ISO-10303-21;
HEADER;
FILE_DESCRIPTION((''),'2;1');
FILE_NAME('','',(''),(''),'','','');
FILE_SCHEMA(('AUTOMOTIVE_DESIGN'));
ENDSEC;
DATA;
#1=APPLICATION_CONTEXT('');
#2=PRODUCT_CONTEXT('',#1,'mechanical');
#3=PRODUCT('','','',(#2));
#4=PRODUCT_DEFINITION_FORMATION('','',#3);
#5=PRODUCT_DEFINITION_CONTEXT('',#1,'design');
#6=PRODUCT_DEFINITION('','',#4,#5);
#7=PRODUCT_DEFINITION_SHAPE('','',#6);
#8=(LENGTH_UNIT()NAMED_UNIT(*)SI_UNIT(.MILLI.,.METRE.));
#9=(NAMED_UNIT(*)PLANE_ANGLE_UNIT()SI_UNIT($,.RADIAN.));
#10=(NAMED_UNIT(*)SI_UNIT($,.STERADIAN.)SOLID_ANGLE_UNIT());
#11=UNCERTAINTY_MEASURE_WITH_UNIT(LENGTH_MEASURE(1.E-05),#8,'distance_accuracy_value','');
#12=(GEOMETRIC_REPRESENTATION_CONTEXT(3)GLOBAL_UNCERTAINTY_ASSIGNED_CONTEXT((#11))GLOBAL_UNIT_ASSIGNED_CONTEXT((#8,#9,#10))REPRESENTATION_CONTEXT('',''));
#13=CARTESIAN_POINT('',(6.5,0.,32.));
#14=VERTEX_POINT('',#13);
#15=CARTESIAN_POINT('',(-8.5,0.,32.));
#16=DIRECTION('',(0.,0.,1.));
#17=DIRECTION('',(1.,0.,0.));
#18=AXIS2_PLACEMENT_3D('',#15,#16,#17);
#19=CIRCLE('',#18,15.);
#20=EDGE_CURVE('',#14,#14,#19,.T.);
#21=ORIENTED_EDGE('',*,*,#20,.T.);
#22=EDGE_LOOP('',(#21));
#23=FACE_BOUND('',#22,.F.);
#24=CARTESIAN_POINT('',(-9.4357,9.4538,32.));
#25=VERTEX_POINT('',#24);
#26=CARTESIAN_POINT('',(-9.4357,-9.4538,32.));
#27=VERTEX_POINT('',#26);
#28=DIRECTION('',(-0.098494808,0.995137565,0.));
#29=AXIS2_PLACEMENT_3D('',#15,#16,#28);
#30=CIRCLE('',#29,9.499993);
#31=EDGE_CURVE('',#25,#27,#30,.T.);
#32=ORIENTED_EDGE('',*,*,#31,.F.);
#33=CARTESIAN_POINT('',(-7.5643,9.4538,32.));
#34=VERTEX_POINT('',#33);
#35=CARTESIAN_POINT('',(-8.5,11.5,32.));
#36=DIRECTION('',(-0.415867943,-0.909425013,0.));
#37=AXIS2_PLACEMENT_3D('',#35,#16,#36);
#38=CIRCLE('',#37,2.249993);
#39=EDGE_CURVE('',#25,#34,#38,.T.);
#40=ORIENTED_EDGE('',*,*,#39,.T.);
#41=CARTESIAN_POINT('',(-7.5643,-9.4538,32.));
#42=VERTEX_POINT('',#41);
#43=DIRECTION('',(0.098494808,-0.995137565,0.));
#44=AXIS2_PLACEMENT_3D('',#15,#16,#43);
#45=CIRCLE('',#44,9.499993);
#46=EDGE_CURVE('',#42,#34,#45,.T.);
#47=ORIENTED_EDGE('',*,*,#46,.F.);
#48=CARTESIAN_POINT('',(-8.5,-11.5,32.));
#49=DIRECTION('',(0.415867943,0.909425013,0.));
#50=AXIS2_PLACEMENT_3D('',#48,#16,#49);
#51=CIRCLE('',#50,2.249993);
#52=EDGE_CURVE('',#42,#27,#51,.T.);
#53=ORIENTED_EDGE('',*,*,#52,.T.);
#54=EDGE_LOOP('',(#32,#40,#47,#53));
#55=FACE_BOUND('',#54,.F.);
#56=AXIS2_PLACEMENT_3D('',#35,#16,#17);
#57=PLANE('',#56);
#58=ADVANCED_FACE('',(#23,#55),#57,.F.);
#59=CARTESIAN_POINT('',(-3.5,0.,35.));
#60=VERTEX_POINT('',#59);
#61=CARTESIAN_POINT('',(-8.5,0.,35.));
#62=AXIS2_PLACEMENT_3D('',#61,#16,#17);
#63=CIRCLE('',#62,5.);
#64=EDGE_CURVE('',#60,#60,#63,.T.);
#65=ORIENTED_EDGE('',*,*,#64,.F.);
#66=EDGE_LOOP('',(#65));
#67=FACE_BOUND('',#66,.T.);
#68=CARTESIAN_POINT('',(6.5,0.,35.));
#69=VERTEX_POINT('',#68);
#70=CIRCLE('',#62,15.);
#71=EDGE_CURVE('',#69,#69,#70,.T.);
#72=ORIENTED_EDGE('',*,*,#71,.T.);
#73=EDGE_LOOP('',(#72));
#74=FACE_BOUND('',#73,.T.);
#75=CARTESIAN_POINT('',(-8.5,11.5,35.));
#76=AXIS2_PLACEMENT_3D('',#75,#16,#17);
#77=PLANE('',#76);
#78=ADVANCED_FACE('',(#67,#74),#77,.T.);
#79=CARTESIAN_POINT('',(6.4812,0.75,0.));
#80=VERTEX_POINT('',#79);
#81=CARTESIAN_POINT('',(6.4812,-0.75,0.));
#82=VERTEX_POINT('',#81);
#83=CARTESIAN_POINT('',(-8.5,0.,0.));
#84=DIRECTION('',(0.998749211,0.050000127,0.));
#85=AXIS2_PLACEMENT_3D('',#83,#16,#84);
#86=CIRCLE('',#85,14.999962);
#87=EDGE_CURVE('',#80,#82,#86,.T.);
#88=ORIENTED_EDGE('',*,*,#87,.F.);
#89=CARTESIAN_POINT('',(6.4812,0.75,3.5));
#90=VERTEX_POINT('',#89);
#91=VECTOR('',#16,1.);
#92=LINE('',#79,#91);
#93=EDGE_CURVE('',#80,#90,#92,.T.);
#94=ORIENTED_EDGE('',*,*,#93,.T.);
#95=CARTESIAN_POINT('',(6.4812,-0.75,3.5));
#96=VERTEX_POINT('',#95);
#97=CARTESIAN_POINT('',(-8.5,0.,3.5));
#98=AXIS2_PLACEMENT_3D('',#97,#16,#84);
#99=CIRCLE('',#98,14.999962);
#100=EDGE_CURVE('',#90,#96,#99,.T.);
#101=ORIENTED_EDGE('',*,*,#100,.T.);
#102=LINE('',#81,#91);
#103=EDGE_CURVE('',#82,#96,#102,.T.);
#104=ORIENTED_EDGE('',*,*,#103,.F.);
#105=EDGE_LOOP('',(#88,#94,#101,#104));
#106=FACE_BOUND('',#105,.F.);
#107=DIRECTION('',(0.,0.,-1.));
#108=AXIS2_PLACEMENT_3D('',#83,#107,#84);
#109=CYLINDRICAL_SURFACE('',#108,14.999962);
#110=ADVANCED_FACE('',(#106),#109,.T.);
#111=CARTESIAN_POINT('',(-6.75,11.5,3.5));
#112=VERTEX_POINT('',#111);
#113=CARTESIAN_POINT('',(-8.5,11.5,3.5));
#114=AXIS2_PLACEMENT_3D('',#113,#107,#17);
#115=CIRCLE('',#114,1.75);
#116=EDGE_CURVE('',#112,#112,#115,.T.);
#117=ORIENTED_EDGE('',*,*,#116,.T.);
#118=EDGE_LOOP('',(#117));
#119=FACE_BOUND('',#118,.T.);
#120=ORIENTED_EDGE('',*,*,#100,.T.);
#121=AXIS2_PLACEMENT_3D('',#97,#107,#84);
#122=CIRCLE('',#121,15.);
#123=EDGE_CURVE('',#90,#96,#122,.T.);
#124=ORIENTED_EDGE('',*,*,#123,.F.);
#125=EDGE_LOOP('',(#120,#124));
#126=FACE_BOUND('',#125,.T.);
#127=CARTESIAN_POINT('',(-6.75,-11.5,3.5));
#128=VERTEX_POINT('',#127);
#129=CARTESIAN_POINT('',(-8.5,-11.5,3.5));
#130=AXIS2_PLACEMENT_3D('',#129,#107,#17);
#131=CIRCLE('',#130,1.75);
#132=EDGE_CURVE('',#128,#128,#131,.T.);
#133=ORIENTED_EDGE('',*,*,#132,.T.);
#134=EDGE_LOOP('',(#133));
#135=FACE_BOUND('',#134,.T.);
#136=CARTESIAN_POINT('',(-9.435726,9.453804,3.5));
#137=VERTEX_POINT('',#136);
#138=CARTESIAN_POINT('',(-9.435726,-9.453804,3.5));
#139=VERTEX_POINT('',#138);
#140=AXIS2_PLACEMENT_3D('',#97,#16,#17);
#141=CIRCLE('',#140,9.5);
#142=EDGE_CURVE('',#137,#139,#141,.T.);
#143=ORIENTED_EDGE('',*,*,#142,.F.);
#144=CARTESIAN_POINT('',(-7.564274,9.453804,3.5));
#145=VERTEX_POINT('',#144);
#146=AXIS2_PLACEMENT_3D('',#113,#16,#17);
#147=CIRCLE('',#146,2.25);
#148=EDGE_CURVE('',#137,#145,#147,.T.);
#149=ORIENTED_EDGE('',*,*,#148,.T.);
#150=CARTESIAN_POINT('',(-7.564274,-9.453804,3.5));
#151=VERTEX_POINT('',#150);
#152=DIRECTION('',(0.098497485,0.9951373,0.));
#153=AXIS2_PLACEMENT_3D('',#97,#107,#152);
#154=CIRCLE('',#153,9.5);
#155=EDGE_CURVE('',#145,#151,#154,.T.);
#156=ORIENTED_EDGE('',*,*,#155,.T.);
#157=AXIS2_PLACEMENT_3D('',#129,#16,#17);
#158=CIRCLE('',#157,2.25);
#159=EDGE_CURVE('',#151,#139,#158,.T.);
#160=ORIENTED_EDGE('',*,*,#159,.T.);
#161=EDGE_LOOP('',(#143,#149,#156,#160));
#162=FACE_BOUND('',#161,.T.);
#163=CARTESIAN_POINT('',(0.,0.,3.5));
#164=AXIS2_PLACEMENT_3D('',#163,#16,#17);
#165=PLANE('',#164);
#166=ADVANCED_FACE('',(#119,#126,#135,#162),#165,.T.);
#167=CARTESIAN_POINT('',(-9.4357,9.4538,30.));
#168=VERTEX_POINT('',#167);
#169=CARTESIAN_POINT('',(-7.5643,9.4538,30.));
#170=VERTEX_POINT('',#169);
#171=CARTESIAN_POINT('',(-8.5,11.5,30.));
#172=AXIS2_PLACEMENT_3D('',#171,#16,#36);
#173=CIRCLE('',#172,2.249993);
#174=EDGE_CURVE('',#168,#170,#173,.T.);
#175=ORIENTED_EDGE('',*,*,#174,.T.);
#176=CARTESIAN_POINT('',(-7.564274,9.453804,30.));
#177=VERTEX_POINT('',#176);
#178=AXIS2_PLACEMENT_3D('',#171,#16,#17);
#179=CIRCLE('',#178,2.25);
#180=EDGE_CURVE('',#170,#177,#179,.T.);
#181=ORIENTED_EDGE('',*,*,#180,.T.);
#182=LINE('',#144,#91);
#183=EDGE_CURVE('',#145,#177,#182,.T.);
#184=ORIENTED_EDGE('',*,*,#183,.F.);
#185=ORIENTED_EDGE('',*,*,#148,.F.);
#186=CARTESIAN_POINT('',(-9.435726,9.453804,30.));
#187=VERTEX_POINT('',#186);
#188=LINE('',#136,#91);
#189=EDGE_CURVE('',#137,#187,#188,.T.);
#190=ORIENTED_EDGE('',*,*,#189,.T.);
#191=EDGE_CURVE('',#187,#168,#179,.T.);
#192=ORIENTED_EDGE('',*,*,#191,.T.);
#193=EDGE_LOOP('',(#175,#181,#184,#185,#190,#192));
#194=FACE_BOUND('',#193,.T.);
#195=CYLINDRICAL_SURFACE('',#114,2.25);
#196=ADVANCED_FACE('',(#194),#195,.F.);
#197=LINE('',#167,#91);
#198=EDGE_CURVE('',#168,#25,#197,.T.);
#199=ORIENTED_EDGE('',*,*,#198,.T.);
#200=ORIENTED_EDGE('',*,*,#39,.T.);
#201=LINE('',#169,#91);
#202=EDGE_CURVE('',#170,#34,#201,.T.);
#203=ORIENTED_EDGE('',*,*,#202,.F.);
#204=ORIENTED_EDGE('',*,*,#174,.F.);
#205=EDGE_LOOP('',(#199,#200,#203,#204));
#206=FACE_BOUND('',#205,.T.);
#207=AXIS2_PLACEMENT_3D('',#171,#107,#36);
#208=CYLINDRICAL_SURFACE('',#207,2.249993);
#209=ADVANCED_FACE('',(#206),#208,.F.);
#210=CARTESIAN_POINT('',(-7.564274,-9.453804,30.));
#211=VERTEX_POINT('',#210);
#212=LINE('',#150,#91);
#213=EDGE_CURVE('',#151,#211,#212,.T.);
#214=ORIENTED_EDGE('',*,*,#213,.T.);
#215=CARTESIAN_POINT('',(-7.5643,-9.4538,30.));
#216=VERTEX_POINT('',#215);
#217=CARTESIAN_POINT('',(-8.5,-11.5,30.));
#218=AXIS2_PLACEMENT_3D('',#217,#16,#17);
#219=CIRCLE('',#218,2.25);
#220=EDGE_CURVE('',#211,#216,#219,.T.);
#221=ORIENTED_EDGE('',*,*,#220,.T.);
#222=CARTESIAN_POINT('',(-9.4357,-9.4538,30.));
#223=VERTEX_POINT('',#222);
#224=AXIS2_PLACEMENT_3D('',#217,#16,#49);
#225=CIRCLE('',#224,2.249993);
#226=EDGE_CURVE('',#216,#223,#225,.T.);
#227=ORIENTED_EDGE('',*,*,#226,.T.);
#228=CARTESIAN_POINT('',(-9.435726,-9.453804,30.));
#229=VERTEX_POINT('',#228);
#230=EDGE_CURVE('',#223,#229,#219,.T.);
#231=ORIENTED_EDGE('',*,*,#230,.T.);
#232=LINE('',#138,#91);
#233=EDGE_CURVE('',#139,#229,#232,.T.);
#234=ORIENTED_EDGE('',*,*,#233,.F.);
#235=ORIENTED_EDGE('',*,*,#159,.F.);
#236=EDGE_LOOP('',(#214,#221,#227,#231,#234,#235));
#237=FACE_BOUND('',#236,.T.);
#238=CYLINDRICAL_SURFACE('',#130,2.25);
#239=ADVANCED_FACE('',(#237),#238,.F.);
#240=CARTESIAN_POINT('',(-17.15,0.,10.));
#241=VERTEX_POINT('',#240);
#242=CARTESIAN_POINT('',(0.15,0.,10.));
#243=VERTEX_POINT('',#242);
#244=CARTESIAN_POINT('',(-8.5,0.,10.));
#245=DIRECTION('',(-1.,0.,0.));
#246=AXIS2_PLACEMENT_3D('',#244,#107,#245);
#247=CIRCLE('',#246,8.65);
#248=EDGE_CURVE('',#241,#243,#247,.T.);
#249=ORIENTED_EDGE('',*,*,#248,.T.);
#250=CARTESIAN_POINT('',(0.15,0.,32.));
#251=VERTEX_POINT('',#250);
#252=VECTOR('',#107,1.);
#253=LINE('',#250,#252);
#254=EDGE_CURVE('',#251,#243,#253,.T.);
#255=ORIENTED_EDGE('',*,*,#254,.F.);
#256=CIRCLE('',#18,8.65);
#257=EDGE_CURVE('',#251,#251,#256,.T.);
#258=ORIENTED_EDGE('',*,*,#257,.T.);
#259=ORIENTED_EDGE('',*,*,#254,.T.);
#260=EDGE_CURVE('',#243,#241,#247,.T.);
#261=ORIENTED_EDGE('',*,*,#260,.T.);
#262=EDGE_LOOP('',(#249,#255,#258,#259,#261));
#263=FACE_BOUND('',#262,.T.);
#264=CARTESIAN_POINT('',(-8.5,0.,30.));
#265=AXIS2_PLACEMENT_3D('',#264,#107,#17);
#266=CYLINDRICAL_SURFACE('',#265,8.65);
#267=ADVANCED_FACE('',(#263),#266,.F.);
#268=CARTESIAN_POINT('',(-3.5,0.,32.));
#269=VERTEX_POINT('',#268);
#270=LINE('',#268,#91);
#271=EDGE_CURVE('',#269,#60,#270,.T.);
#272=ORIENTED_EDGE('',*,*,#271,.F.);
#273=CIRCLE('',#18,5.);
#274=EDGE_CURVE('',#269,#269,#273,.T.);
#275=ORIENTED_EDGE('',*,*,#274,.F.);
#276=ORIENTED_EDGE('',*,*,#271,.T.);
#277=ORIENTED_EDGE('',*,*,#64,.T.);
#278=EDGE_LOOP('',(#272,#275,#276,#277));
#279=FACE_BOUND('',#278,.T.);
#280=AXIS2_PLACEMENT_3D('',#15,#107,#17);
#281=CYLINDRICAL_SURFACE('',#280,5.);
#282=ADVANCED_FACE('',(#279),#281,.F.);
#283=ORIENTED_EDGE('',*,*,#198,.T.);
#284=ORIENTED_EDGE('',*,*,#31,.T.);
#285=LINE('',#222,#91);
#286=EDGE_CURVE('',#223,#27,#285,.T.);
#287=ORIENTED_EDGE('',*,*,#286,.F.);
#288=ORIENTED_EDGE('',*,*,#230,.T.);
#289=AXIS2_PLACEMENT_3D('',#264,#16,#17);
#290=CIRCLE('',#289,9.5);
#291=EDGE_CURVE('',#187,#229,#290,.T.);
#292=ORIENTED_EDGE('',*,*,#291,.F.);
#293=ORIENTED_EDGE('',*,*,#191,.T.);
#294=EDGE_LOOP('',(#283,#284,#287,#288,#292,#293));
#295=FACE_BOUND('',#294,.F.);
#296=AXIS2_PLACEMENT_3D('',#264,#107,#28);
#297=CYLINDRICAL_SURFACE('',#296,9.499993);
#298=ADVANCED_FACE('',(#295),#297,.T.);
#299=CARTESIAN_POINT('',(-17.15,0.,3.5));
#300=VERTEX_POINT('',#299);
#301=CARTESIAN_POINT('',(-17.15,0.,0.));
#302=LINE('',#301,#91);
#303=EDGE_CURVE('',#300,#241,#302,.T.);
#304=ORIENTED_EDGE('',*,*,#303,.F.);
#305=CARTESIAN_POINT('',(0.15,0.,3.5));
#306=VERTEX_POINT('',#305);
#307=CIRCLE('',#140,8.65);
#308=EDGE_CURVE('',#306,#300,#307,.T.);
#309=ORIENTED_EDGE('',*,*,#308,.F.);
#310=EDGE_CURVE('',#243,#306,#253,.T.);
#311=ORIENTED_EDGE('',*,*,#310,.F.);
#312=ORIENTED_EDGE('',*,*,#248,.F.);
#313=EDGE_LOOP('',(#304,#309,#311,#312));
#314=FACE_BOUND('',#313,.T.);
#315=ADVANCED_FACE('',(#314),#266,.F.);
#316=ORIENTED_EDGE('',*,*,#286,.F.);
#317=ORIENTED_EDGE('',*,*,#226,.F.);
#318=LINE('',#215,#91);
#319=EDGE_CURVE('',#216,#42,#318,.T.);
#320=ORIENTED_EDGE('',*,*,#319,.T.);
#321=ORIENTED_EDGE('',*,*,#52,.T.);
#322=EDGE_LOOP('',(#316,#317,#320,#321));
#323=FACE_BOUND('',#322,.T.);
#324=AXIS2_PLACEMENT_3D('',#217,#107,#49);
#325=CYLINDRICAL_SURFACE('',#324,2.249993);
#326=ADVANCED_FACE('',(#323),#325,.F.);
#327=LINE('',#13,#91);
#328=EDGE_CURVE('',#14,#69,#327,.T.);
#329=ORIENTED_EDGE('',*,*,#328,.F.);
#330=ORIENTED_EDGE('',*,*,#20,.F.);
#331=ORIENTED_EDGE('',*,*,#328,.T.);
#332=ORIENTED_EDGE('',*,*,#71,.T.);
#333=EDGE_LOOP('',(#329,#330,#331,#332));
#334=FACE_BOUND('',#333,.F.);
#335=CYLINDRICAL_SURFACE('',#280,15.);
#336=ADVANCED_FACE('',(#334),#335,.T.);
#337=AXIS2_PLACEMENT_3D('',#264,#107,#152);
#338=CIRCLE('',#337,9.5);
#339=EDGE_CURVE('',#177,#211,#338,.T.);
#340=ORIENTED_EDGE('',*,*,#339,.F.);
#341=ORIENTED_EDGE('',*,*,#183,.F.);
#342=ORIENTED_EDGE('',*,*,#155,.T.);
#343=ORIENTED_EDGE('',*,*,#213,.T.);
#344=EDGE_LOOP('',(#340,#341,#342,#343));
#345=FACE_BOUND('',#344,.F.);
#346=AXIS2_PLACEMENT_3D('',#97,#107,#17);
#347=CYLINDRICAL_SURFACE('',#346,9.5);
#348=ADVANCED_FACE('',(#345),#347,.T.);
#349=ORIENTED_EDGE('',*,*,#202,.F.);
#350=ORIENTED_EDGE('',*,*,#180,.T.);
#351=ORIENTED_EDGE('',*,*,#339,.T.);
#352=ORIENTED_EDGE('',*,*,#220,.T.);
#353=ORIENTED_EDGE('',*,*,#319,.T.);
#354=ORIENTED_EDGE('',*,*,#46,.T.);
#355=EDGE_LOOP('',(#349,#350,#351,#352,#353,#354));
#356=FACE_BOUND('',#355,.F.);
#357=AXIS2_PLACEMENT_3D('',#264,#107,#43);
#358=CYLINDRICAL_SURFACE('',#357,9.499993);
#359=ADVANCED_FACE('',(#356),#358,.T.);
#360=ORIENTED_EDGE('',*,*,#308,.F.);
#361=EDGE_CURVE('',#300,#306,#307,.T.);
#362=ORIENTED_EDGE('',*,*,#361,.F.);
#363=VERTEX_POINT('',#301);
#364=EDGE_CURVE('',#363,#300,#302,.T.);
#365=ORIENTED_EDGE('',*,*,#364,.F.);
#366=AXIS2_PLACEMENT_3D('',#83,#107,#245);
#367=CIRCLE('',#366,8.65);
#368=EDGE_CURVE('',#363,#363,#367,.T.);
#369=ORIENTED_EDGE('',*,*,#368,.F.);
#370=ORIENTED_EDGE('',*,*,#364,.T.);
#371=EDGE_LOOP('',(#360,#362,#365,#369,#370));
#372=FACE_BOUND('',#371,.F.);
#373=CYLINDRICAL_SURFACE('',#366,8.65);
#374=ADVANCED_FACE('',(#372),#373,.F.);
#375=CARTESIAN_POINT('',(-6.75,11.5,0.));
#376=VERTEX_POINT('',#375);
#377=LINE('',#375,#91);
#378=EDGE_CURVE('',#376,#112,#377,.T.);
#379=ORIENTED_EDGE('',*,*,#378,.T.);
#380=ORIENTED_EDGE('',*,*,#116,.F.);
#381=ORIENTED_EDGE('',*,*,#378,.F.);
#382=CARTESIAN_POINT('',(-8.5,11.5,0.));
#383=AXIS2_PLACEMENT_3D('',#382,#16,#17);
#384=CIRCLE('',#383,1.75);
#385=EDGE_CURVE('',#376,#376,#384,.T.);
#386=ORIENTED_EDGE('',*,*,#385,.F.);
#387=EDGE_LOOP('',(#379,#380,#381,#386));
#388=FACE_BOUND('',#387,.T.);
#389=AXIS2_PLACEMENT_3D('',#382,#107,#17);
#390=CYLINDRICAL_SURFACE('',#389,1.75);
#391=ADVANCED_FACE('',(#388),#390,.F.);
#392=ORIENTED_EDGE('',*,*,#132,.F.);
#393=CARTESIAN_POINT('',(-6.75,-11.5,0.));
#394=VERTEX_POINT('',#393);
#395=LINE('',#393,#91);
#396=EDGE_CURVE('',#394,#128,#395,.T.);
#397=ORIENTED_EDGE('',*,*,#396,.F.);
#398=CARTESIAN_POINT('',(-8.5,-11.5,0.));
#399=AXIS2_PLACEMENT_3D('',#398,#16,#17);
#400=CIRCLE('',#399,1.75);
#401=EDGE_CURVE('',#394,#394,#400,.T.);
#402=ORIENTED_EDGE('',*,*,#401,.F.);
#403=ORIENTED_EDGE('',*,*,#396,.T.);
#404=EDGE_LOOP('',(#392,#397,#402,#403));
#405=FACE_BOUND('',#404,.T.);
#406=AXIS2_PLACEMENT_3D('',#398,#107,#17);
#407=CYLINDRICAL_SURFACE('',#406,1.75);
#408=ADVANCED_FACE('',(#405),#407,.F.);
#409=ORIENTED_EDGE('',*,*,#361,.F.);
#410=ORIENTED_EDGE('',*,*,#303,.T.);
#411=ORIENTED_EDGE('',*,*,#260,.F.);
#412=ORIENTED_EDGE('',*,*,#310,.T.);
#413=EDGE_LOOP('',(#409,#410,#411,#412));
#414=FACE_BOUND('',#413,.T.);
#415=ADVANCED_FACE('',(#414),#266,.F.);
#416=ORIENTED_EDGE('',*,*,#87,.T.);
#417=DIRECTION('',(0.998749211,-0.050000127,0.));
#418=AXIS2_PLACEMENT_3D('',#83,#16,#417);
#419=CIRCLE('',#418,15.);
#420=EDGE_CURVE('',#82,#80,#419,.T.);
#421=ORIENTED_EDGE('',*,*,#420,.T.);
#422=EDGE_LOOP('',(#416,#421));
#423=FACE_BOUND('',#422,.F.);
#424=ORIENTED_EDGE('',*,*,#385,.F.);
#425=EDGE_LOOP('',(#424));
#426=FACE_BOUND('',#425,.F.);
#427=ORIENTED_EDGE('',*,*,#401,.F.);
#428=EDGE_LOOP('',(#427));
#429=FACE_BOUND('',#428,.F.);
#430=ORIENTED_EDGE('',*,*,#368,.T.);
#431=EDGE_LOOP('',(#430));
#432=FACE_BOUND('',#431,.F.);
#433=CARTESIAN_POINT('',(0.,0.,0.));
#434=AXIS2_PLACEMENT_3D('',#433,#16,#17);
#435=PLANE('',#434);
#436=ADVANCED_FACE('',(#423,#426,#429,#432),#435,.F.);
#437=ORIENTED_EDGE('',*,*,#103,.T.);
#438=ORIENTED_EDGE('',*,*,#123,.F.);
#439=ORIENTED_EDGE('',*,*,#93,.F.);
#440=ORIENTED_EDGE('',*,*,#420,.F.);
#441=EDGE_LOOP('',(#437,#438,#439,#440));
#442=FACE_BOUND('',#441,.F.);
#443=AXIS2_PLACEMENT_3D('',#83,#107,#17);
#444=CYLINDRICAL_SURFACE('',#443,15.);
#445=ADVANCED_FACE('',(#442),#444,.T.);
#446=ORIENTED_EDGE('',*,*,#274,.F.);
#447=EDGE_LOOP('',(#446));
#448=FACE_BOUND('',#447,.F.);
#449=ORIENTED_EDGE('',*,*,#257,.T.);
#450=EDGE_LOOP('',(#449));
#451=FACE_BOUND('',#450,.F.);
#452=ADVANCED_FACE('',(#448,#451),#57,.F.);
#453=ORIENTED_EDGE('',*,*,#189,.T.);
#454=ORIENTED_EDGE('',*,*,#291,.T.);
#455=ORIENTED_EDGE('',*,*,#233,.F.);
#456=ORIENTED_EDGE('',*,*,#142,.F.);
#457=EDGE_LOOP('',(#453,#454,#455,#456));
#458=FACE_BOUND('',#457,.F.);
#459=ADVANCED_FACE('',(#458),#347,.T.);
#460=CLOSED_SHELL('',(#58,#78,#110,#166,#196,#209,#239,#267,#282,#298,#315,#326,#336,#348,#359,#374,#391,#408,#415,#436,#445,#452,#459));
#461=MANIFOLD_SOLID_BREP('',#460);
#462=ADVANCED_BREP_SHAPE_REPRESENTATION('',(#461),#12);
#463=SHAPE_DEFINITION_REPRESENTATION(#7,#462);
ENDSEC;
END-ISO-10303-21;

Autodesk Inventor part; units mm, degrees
ref_plane "YZ Plane" through (0, 0, 0) normal (1, 0, 0) x (0, 1, 0)
ref_plane "XZ Plane" through (0, 0, 0) normal (0, 1, 0) x (-1, 0, 0)
sketch "Boceto1" plane through (0, 0, 0) normal (0, 0, 1) x (1, 0, 0)
  circle A0 centre (-8.5, 0) radius 8.65
  circle A1 centre (-8.5, -11.5) radius 1.75
  circle A2 centre (-8.5, 11.5) radius 1.75
  circle A3 centre (-8.5, 0) radius 14.5
  circle A4 centre (-8.5, 0) radius 14.5
  circle A5 centre (-8.5, 0) radius 9.5
  circle A6 centre (-8.5, -11.5) radius 2.25
  circle A7 centre (-8.5, 11.5) radius 2.25
  point P0 (0, 0)
  dimension "d0" = 17.3
  dimension "d1" = 3.5
  dimension "d2" = 3.5
  dimension "d3" = 19
  dimension "d4" = 4.5
  dimension "d5" = 4.5
sketch "Boceto2" plane through (0, 0, 0) normal (0, 0, 1) x (1, 0, 0)
  arc A0 (6.4812, 0.75) -> (6.4812, -0.75) centre (-8.5, 0) ccw projected
  circle A1 centre (-8.5, 0) radius 15
  point P0 (0, 0)
  point P1 (6.4812, -0.75)
  point P2 (6.4812, 0.75)
extrude "Extrusión1" add sketch "Boceto2" along normal blind 3.5
sketch "Boceto3" plane through (-8.5, 0, 3.5) normal (0, 0, 1) x (1, 0, 0)
  circle A0 centre (0, -11.5) radius 1.75 projected
  circle A1 centre (0, -11.5) radius 2.25 projected
  circle A2 centre (0, 0) radius 9.5 projected
  circle A3 centre (0, 0) radius 8.65 projected
  circle A4 centre (0, 11.5) radius 2.25 projected
  circle A5 centre (0, 11.5) radius 1.75 projected
  point P0 (8.5, 0)
  point P1 (0.9357, 9.4538)
  point P2 (-0.9357, 9.4538)
  point P3 (-0.9357, -9.4538)
  point P4 (0.9357, -9.4538)
sketch "Boceto4" plane through (-8.5, 0, 3.5) normal (0, 0, 1) x (1, 0, 0)
  circle A0 centre (0, 0) radius 5
  point P0 (8.5, 0)
  dimension "d8" = 10
extrude "Extrusión2" cut sketch "Boceto4" against normal blind 10
ref_plane "Plano de trabajo1" through (-16.5, -8, 30) normal (0, 0, 1) x (1, 0, 0)
extrude "Extrusión3" add sketch "Boceto3" along normal up to surface (26.5 mm away) contours A1 A2 A4
extrude "Extrusión4" cut sketch "Boceto1" along normal blind 10 contours A1 | A2
sketch "Boceto5" plane through (-8.5, 11.5, 30) normal (0, 0, 1) x (1, 0, 0)
  arc A0 (0.9357, -20.9538) -> (0.9357, -2.0462) centre (0, -11.5) ccw projected
  arc A1 (-0.9357, -2.0462) -> (-0.9357, -20.9538) centre (0, -11.5) ccw projected
  arc A2 (-0.9357, -2.0462) -> (0.9357, -2.0462) centre (0, 0) ccw projected
  arc A3 (0.9357, -20.9538) -> (-0.9357, -20.9538) centre (0, -23) ccw projected
  circle A4 centre (0, -11.5) radius 8.65 projected
  point P0 (8.5, -11.5)
extrude "Extrusión5" add sketch "Boceto5" along normal blind 2
sketch "Boceto6" plane through (-8.5, 11.5, 32) normal (0, 0, 1) x (1, 0, 0)
  circle A0 centre (0, -11.5) radius 15 projected
  circle A1 centre (0, -11.5) radius 5 projected
  circle A2 centre (0, -11.5) radius 5 projected
  point P0 (8.5, -11.5)
extrude "Extrusión6" add sketch "Boceto6" along normal blind 3
sketch "Boceto7" plane through (-8.5, 0, 0) normal (0, 0, -1) x (-1, 0, 0)
  circle A0 centre (0, 0) radius 5 projected
  circle A1 centre (0, 0) radius 8.65
  point P0 (-8.5, 0)
  dimension "d19" = 17.3
extrude "Extrusión7" cut sketch "Boceto7" against normal blind 10 contours A0 | A1
properties part number "TeceraParte"
